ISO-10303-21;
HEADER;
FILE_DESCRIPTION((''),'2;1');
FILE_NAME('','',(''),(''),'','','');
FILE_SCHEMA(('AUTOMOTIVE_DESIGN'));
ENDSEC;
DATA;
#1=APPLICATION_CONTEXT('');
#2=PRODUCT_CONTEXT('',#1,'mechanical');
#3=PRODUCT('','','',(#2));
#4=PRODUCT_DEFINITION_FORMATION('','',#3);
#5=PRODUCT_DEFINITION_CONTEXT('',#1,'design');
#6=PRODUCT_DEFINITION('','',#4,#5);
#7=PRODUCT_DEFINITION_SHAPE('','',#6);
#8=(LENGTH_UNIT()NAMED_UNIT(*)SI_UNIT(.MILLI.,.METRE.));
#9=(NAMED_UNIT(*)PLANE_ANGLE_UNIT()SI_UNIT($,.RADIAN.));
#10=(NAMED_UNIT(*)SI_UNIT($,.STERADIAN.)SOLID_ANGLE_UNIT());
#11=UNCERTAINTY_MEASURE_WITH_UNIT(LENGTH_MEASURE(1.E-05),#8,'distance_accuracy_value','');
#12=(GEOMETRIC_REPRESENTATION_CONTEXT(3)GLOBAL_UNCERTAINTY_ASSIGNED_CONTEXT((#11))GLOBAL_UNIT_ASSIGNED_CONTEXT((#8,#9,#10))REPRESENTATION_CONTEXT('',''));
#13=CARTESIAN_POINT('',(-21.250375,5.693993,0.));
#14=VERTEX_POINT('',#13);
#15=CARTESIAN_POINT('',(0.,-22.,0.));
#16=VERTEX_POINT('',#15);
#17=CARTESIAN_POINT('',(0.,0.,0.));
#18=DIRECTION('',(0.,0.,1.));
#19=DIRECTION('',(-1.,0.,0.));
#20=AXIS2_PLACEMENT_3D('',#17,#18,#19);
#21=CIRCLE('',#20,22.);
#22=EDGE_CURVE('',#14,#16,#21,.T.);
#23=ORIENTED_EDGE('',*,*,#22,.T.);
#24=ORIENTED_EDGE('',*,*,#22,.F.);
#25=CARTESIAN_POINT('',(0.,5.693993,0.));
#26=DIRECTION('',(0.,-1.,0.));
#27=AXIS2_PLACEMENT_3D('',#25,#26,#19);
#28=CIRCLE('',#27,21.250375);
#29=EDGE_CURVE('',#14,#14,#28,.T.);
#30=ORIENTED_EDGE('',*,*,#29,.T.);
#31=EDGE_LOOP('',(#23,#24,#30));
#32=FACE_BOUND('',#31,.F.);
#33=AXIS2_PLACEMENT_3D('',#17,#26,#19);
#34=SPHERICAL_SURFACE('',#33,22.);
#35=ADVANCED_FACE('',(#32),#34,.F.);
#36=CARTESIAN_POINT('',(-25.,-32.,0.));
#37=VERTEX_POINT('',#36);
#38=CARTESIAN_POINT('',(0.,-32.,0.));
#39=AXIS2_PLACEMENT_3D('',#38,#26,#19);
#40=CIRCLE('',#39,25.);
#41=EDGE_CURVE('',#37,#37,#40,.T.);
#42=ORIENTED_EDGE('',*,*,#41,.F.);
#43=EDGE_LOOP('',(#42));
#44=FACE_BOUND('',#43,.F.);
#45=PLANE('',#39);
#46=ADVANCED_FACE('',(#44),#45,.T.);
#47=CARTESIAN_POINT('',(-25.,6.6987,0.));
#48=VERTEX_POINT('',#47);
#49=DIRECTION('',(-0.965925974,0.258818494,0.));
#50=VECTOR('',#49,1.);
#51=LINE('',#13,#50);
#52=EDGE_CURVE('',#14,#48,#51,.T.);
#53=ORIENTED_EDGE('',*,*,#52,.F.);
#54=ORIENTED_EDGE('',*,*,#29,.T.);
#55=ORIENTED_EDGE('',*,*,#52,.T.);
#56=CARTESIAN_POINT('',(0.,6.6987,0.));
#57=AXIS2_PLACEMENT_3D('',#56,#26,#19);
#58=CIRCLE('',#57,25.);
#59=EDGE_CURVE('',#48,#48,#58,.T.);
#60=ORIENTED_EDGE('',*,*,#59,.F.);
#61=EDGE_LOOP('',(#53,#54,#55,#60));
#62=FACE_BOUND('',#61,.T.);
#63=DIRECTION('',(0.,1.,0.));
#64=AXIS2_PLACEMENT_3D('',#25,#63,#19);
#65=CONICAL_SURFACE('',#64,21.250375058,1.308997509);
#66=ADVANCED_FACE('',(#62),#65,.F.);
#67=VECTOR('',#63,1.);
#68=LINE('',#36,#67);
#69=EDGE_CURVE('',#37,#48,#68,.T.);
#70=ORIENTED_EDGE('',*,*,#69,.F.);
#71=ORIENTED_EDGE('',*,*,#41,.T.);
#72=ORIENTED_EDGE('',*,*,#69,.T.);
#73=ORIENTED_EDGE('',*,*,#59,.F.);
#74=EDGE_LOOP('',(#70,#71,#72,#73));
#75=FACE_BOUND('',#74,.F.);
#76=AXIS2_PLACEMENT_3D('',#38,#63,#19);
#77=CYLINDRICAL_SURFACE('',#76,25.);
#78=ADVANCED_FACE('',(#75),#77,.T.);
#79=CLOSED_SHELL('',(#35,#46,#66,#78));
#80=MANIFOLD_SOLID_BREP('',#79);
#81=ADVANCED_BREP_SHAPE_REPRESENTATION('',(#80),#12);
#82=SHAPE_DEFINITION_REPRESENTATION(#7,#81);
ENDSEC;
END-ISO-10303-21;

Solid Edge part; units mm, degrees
sketch "Sketch1" plane through (0, 0, 0) normal (0, 0, -1) x (-1, 0, 0)
  line L0 (0, -32) -> (25, -32)
  line L1 (25, -32) -> (25, 6.6987)
  line L2 (21.2504, 5.694) -> (25, 6.6987)
  arc A0 (21.2504, 5.694) -> (0, -22) centre (0, 0) cw
  line L3 (0, -22) -> (0, -32)
revolve "RevolvedProtrusion1" add sketch "Sketch1" angle 360 about axis through (0, -22, 0) along (0, -1, 0)
